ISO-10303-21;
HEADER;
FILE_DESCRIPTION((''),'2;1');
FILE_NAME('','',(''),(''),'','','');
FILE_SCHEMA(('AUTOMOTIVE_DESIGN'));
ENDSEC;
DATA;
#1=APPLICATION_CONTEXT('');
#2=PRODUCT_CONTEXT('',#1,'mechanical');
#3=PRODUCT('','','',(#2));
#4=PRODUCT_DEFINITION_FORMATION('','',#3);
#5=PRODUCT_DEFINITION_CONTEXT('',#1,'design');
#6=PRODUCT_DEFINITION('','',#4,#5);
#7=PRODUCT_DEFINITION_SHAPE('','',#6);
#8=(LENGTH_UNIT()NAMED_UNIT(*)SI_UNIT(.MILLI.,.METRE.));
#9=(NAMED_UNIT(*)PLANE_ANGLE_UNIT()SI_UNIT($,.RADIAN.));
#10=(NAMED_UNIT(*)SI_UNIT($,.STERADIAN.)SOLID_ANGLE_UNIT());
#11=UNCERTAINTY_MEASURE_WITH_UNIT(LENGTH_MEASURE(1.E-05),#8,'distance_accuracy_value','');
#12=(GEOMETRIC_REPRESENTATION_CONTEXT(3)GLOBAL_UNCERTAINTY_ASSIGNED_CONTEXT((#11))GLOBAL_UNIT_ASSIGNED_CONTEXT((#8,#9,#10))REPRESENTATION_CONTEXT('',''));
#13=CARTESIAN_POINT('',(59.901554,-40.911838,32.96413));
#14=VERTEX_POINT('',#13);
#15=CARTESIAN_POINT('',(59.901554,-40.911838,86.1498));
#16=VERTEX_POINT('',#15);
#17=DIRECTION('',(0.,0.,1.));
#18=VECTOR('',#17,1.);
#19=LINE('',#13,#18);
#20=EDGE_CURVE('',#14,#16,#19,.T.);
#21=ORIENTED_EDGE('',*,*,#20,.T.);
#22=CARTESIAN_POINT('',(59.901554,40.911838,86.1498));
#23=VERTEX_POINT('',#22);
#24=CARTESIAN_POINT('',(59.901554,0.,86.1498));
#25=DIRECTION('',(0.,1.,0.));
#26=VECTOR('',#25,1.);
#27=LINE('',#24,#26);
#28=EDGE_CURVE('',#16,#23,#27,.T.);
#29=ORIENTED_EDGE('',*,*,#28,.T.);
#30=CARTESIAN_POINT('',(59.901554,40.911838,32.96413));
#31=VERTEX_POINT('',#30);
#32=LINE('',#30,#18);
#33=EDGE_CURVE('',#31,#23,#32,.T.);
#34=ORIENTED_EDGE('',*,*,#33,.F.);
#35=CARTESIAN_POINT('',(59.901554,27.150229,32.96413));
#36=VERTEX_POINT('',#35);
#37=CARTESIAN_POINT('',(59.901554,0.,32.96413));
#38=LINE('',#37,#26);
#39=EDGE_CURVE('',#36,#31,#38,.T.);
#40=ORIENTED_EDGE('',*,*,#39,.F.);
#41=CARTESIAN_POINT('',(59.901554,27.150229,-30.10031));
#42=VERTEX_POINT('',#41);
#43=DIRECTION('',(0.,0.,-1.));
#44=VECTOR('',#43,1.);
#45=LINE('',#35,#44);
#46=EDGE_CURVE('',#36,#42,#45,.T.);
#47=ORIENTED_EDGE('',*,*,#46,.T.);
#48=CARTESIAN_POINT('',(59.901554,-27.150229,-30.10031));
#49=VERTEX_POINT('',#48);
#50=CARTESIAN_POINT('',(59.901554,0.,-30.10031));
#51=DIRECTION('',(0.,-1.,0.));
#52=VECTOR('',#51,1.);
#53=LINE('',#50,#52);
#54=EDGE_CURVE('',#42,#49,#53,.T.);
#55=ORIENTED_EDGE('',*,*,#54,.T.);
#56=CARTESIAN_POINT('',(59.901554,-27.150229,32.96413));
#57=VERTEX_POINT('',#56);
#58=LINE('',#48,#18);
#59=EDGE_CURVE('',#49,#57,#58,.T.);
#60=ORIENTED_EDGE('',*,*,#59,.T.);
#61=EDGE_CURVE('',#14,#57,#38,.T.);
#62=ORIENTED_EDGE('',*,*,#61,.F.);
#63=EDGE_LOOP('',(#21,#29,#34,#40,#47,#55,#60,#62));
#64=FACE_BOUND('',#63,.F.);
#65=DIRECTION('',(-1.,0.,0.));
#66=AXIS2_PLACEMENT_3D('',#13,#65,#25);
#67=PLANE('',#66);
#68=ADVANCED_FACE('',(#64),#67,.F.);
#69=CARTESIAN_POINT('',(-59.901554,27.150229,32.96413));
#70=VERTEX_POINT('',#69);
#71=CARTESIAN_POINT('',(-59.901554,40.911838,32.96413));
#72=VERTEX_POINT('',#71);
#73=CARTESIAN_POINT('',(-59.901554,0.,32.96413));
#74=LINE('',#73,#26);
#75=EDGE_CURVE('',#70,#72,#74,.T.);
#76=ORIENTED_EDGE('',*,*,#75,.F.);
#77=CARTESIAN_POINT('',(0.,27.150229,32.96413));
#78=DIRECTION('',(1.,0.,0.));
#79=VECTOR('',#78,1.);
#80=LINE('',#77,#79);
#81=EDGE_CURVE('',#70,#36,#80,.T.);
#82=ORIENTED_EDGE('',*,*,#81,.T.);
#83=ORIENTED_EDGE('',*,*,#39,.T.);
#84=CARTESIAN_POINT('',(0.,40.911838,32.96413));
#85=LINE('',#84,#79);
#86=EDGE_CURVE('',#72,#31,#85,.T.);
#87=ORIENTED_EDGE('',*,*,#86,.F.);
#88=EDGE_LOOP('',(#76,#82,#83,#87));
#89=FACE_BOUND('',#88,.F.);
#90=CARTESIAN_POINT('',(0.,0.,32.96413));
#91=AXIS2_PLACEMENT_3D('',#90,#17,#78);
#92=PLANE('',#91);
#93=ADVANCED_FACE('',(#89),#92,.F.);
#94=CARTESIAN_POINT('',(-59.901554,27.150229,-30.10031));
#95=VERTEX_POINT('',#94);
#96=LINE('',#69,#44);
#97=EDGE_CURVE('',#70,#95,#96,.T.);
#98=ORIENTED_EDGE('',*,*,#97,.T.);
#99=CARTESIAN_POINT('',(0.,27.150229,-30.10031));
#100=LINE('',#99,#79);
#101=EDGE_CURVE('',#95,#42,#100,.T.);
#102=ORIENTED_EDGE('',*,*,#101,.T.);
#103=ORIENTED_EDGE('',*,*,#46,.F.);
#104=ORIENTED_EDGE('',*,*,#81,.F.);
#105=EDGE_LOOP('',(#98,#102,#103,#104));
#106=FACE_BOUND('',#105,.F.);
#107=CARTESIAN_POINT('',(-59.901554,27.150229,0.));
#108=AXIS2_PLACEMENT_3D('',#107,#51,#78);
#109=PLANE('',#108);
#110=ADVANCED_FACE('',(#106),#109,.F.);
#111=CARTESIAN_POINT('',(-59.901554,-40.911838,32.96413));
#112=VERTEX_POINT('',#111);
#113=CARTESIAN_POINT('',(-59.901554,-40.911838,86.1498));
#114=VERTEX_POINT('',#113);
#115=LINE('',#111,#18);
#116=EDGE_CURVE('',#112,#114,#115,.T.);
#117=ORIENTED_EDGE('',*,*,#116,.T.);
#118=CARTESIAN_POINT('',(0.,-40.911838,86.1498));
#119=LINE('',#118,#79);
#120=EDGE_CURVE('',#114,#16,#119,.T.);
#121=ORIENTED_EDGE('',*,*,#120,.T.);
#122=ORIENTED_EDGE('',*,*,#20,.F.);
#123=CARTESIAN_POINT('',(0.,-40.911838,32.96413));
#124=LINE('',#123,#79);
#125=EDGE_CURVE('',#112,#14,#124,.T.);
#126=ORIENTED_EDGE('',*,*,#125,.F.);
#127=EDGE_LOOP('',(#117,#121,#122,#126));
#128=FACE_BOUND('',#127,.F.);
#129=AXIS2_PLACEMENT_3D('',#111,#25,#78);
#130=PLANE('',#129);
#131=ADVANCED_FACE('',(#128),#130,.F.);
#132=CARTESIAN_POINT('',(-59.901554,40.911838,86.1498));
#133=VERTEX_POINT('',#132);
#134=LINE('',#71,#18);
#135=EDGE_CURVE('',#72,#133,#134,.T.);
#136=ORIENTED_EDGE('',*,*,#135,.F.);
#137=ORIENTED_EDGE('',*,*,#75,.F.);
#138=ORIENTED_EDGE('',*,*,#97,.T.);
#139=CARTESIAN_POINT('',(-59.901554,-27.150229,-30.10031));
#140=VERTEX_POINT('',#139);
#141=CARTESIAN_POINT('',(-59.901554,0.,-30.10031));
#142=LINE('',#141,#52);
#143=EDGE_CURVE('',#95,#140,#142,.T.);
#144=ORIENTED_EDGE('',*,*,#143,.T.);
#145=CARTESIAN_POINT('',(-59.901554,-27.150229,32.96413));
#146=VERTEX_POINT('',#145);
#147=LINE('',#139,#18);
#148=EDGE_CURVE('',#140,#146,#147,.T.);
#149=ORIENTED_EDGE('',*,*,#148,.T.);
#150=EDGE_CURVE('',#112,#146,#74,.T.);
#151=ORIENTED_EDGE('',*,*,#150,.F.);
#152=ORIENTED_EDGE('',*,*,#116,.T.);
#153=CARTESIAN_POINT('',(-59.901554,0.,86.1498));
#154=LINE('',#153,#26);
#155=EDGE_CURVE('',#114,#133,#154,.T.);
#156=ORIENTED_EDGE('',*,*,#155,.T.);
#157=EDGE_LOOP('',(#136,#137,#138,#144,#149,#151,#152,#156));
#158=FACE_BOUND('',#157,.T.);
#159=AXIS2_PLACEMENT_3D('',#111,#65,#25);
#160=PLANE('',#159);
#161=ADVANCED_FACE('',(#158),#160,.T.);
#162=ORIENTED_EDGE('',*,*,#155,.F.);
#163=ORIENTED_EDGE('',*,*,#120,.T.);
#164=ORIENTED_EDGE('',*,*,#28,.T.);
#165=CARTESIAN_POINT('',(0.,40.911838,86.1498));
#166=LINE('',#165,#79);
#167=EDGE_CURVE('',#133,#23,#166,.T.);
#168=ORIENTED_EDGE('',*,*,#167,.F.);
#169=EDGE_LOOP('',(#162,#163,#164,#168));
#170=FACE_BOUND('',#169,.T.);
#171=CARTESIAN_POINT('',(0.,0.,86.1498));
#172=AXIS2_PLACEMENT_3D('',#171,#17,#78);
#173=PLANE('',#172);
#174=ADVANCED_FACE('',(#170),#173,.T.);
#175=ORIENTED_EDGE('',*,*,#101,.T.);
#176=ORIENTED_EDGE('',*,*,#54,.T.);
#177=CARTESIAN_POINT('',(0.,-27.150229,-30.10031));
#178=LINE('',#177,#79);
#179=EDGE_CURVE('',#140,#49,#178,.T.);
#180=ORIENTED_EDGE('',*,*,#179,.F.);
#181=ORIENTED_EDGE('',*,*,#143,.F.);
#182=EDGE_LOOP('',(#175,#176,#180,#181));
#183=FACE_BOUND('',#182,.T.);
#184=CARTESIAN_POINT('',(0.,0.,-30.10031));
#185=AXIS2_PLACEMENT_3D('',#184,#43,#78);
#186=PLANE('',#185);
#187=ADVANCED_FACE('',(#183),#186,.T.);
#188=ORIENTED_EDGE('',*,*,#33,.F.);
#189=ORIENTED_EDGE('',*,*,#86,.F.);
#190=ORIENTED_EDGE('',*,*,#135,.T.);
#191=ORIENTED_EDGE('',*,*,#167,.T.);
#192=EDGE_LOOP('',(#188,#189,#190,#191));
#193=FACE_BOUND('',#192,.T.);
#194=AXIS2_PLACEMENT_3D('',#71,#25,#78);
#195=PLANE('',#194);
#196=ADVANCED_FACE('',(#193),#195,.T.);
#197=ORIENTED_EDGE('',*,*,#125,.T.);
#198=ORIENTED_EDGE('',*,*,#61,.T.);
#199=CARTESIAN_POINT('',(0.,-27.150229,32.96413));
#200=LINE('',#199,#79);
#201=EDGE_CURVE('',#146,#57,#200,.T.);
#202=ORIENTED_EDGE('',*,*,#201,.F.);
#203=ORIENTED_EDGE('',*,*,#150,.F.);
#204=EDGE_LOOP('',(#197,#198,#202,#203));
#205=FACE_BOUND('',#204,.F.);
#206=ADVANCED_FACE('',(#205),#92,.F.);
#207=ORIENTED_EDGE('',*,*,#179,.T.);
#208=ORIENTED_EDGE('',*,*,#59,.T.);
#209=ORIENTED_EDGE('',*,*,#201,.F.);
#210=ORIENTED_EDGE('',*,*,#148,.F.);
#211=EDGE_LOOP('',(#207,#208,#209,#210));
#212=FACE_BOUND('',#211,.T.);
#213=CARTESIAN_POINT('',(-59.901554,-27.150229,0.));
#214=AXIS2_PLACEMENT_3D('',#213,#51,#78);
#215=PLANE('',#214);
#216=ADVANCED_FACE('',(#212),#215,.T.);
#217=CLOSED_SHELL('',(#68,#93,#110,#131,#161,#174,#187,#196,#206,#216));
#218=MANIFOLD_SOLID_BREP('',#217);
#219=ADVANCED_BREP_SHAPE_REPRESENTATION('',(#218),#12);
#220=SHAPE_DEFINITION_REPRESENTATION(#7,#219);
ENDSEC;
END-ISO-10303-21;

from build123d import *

# Parameters (mm, degrees)
F0_W      = 119.803108
F0_H      = 54.300458
F1_DEPTH  = 32.96413
F1_FACE_W = 119.803108
F1_FACE_H = 54.300458
F2_DEPTH  = 30.10031
F3_W      = 119.803108
F3_H      = 81.823676
F4_DEPTH  = 53.18567


with BuildPart() as f1:
    # F0 (on Top) → F1 (new body)
    with BuildSketch(Plane.XY):
        Rectangle(F0_W, F0_H)
    extrude(amount=F1_DEPTH)

    # F1_face (on face) → F2 (join)
    with BuildSketch(Plane(origin=(0, 0, 0), x_dir=(1, 0, 0), z_dir=(0, 0, -1))):
        Rectangle(F1_FACE_W, F1_FACE_H)
    extrude(amount=F2_DEPTH)

    # F3 (on face) → F4 (join)
    with BuildSketch(Plane.XY.offset(32.96413)):
        Rectangle(F3_W, F3_H)
    extrude(amount=F4_DEPTH)


solid = f1.part
